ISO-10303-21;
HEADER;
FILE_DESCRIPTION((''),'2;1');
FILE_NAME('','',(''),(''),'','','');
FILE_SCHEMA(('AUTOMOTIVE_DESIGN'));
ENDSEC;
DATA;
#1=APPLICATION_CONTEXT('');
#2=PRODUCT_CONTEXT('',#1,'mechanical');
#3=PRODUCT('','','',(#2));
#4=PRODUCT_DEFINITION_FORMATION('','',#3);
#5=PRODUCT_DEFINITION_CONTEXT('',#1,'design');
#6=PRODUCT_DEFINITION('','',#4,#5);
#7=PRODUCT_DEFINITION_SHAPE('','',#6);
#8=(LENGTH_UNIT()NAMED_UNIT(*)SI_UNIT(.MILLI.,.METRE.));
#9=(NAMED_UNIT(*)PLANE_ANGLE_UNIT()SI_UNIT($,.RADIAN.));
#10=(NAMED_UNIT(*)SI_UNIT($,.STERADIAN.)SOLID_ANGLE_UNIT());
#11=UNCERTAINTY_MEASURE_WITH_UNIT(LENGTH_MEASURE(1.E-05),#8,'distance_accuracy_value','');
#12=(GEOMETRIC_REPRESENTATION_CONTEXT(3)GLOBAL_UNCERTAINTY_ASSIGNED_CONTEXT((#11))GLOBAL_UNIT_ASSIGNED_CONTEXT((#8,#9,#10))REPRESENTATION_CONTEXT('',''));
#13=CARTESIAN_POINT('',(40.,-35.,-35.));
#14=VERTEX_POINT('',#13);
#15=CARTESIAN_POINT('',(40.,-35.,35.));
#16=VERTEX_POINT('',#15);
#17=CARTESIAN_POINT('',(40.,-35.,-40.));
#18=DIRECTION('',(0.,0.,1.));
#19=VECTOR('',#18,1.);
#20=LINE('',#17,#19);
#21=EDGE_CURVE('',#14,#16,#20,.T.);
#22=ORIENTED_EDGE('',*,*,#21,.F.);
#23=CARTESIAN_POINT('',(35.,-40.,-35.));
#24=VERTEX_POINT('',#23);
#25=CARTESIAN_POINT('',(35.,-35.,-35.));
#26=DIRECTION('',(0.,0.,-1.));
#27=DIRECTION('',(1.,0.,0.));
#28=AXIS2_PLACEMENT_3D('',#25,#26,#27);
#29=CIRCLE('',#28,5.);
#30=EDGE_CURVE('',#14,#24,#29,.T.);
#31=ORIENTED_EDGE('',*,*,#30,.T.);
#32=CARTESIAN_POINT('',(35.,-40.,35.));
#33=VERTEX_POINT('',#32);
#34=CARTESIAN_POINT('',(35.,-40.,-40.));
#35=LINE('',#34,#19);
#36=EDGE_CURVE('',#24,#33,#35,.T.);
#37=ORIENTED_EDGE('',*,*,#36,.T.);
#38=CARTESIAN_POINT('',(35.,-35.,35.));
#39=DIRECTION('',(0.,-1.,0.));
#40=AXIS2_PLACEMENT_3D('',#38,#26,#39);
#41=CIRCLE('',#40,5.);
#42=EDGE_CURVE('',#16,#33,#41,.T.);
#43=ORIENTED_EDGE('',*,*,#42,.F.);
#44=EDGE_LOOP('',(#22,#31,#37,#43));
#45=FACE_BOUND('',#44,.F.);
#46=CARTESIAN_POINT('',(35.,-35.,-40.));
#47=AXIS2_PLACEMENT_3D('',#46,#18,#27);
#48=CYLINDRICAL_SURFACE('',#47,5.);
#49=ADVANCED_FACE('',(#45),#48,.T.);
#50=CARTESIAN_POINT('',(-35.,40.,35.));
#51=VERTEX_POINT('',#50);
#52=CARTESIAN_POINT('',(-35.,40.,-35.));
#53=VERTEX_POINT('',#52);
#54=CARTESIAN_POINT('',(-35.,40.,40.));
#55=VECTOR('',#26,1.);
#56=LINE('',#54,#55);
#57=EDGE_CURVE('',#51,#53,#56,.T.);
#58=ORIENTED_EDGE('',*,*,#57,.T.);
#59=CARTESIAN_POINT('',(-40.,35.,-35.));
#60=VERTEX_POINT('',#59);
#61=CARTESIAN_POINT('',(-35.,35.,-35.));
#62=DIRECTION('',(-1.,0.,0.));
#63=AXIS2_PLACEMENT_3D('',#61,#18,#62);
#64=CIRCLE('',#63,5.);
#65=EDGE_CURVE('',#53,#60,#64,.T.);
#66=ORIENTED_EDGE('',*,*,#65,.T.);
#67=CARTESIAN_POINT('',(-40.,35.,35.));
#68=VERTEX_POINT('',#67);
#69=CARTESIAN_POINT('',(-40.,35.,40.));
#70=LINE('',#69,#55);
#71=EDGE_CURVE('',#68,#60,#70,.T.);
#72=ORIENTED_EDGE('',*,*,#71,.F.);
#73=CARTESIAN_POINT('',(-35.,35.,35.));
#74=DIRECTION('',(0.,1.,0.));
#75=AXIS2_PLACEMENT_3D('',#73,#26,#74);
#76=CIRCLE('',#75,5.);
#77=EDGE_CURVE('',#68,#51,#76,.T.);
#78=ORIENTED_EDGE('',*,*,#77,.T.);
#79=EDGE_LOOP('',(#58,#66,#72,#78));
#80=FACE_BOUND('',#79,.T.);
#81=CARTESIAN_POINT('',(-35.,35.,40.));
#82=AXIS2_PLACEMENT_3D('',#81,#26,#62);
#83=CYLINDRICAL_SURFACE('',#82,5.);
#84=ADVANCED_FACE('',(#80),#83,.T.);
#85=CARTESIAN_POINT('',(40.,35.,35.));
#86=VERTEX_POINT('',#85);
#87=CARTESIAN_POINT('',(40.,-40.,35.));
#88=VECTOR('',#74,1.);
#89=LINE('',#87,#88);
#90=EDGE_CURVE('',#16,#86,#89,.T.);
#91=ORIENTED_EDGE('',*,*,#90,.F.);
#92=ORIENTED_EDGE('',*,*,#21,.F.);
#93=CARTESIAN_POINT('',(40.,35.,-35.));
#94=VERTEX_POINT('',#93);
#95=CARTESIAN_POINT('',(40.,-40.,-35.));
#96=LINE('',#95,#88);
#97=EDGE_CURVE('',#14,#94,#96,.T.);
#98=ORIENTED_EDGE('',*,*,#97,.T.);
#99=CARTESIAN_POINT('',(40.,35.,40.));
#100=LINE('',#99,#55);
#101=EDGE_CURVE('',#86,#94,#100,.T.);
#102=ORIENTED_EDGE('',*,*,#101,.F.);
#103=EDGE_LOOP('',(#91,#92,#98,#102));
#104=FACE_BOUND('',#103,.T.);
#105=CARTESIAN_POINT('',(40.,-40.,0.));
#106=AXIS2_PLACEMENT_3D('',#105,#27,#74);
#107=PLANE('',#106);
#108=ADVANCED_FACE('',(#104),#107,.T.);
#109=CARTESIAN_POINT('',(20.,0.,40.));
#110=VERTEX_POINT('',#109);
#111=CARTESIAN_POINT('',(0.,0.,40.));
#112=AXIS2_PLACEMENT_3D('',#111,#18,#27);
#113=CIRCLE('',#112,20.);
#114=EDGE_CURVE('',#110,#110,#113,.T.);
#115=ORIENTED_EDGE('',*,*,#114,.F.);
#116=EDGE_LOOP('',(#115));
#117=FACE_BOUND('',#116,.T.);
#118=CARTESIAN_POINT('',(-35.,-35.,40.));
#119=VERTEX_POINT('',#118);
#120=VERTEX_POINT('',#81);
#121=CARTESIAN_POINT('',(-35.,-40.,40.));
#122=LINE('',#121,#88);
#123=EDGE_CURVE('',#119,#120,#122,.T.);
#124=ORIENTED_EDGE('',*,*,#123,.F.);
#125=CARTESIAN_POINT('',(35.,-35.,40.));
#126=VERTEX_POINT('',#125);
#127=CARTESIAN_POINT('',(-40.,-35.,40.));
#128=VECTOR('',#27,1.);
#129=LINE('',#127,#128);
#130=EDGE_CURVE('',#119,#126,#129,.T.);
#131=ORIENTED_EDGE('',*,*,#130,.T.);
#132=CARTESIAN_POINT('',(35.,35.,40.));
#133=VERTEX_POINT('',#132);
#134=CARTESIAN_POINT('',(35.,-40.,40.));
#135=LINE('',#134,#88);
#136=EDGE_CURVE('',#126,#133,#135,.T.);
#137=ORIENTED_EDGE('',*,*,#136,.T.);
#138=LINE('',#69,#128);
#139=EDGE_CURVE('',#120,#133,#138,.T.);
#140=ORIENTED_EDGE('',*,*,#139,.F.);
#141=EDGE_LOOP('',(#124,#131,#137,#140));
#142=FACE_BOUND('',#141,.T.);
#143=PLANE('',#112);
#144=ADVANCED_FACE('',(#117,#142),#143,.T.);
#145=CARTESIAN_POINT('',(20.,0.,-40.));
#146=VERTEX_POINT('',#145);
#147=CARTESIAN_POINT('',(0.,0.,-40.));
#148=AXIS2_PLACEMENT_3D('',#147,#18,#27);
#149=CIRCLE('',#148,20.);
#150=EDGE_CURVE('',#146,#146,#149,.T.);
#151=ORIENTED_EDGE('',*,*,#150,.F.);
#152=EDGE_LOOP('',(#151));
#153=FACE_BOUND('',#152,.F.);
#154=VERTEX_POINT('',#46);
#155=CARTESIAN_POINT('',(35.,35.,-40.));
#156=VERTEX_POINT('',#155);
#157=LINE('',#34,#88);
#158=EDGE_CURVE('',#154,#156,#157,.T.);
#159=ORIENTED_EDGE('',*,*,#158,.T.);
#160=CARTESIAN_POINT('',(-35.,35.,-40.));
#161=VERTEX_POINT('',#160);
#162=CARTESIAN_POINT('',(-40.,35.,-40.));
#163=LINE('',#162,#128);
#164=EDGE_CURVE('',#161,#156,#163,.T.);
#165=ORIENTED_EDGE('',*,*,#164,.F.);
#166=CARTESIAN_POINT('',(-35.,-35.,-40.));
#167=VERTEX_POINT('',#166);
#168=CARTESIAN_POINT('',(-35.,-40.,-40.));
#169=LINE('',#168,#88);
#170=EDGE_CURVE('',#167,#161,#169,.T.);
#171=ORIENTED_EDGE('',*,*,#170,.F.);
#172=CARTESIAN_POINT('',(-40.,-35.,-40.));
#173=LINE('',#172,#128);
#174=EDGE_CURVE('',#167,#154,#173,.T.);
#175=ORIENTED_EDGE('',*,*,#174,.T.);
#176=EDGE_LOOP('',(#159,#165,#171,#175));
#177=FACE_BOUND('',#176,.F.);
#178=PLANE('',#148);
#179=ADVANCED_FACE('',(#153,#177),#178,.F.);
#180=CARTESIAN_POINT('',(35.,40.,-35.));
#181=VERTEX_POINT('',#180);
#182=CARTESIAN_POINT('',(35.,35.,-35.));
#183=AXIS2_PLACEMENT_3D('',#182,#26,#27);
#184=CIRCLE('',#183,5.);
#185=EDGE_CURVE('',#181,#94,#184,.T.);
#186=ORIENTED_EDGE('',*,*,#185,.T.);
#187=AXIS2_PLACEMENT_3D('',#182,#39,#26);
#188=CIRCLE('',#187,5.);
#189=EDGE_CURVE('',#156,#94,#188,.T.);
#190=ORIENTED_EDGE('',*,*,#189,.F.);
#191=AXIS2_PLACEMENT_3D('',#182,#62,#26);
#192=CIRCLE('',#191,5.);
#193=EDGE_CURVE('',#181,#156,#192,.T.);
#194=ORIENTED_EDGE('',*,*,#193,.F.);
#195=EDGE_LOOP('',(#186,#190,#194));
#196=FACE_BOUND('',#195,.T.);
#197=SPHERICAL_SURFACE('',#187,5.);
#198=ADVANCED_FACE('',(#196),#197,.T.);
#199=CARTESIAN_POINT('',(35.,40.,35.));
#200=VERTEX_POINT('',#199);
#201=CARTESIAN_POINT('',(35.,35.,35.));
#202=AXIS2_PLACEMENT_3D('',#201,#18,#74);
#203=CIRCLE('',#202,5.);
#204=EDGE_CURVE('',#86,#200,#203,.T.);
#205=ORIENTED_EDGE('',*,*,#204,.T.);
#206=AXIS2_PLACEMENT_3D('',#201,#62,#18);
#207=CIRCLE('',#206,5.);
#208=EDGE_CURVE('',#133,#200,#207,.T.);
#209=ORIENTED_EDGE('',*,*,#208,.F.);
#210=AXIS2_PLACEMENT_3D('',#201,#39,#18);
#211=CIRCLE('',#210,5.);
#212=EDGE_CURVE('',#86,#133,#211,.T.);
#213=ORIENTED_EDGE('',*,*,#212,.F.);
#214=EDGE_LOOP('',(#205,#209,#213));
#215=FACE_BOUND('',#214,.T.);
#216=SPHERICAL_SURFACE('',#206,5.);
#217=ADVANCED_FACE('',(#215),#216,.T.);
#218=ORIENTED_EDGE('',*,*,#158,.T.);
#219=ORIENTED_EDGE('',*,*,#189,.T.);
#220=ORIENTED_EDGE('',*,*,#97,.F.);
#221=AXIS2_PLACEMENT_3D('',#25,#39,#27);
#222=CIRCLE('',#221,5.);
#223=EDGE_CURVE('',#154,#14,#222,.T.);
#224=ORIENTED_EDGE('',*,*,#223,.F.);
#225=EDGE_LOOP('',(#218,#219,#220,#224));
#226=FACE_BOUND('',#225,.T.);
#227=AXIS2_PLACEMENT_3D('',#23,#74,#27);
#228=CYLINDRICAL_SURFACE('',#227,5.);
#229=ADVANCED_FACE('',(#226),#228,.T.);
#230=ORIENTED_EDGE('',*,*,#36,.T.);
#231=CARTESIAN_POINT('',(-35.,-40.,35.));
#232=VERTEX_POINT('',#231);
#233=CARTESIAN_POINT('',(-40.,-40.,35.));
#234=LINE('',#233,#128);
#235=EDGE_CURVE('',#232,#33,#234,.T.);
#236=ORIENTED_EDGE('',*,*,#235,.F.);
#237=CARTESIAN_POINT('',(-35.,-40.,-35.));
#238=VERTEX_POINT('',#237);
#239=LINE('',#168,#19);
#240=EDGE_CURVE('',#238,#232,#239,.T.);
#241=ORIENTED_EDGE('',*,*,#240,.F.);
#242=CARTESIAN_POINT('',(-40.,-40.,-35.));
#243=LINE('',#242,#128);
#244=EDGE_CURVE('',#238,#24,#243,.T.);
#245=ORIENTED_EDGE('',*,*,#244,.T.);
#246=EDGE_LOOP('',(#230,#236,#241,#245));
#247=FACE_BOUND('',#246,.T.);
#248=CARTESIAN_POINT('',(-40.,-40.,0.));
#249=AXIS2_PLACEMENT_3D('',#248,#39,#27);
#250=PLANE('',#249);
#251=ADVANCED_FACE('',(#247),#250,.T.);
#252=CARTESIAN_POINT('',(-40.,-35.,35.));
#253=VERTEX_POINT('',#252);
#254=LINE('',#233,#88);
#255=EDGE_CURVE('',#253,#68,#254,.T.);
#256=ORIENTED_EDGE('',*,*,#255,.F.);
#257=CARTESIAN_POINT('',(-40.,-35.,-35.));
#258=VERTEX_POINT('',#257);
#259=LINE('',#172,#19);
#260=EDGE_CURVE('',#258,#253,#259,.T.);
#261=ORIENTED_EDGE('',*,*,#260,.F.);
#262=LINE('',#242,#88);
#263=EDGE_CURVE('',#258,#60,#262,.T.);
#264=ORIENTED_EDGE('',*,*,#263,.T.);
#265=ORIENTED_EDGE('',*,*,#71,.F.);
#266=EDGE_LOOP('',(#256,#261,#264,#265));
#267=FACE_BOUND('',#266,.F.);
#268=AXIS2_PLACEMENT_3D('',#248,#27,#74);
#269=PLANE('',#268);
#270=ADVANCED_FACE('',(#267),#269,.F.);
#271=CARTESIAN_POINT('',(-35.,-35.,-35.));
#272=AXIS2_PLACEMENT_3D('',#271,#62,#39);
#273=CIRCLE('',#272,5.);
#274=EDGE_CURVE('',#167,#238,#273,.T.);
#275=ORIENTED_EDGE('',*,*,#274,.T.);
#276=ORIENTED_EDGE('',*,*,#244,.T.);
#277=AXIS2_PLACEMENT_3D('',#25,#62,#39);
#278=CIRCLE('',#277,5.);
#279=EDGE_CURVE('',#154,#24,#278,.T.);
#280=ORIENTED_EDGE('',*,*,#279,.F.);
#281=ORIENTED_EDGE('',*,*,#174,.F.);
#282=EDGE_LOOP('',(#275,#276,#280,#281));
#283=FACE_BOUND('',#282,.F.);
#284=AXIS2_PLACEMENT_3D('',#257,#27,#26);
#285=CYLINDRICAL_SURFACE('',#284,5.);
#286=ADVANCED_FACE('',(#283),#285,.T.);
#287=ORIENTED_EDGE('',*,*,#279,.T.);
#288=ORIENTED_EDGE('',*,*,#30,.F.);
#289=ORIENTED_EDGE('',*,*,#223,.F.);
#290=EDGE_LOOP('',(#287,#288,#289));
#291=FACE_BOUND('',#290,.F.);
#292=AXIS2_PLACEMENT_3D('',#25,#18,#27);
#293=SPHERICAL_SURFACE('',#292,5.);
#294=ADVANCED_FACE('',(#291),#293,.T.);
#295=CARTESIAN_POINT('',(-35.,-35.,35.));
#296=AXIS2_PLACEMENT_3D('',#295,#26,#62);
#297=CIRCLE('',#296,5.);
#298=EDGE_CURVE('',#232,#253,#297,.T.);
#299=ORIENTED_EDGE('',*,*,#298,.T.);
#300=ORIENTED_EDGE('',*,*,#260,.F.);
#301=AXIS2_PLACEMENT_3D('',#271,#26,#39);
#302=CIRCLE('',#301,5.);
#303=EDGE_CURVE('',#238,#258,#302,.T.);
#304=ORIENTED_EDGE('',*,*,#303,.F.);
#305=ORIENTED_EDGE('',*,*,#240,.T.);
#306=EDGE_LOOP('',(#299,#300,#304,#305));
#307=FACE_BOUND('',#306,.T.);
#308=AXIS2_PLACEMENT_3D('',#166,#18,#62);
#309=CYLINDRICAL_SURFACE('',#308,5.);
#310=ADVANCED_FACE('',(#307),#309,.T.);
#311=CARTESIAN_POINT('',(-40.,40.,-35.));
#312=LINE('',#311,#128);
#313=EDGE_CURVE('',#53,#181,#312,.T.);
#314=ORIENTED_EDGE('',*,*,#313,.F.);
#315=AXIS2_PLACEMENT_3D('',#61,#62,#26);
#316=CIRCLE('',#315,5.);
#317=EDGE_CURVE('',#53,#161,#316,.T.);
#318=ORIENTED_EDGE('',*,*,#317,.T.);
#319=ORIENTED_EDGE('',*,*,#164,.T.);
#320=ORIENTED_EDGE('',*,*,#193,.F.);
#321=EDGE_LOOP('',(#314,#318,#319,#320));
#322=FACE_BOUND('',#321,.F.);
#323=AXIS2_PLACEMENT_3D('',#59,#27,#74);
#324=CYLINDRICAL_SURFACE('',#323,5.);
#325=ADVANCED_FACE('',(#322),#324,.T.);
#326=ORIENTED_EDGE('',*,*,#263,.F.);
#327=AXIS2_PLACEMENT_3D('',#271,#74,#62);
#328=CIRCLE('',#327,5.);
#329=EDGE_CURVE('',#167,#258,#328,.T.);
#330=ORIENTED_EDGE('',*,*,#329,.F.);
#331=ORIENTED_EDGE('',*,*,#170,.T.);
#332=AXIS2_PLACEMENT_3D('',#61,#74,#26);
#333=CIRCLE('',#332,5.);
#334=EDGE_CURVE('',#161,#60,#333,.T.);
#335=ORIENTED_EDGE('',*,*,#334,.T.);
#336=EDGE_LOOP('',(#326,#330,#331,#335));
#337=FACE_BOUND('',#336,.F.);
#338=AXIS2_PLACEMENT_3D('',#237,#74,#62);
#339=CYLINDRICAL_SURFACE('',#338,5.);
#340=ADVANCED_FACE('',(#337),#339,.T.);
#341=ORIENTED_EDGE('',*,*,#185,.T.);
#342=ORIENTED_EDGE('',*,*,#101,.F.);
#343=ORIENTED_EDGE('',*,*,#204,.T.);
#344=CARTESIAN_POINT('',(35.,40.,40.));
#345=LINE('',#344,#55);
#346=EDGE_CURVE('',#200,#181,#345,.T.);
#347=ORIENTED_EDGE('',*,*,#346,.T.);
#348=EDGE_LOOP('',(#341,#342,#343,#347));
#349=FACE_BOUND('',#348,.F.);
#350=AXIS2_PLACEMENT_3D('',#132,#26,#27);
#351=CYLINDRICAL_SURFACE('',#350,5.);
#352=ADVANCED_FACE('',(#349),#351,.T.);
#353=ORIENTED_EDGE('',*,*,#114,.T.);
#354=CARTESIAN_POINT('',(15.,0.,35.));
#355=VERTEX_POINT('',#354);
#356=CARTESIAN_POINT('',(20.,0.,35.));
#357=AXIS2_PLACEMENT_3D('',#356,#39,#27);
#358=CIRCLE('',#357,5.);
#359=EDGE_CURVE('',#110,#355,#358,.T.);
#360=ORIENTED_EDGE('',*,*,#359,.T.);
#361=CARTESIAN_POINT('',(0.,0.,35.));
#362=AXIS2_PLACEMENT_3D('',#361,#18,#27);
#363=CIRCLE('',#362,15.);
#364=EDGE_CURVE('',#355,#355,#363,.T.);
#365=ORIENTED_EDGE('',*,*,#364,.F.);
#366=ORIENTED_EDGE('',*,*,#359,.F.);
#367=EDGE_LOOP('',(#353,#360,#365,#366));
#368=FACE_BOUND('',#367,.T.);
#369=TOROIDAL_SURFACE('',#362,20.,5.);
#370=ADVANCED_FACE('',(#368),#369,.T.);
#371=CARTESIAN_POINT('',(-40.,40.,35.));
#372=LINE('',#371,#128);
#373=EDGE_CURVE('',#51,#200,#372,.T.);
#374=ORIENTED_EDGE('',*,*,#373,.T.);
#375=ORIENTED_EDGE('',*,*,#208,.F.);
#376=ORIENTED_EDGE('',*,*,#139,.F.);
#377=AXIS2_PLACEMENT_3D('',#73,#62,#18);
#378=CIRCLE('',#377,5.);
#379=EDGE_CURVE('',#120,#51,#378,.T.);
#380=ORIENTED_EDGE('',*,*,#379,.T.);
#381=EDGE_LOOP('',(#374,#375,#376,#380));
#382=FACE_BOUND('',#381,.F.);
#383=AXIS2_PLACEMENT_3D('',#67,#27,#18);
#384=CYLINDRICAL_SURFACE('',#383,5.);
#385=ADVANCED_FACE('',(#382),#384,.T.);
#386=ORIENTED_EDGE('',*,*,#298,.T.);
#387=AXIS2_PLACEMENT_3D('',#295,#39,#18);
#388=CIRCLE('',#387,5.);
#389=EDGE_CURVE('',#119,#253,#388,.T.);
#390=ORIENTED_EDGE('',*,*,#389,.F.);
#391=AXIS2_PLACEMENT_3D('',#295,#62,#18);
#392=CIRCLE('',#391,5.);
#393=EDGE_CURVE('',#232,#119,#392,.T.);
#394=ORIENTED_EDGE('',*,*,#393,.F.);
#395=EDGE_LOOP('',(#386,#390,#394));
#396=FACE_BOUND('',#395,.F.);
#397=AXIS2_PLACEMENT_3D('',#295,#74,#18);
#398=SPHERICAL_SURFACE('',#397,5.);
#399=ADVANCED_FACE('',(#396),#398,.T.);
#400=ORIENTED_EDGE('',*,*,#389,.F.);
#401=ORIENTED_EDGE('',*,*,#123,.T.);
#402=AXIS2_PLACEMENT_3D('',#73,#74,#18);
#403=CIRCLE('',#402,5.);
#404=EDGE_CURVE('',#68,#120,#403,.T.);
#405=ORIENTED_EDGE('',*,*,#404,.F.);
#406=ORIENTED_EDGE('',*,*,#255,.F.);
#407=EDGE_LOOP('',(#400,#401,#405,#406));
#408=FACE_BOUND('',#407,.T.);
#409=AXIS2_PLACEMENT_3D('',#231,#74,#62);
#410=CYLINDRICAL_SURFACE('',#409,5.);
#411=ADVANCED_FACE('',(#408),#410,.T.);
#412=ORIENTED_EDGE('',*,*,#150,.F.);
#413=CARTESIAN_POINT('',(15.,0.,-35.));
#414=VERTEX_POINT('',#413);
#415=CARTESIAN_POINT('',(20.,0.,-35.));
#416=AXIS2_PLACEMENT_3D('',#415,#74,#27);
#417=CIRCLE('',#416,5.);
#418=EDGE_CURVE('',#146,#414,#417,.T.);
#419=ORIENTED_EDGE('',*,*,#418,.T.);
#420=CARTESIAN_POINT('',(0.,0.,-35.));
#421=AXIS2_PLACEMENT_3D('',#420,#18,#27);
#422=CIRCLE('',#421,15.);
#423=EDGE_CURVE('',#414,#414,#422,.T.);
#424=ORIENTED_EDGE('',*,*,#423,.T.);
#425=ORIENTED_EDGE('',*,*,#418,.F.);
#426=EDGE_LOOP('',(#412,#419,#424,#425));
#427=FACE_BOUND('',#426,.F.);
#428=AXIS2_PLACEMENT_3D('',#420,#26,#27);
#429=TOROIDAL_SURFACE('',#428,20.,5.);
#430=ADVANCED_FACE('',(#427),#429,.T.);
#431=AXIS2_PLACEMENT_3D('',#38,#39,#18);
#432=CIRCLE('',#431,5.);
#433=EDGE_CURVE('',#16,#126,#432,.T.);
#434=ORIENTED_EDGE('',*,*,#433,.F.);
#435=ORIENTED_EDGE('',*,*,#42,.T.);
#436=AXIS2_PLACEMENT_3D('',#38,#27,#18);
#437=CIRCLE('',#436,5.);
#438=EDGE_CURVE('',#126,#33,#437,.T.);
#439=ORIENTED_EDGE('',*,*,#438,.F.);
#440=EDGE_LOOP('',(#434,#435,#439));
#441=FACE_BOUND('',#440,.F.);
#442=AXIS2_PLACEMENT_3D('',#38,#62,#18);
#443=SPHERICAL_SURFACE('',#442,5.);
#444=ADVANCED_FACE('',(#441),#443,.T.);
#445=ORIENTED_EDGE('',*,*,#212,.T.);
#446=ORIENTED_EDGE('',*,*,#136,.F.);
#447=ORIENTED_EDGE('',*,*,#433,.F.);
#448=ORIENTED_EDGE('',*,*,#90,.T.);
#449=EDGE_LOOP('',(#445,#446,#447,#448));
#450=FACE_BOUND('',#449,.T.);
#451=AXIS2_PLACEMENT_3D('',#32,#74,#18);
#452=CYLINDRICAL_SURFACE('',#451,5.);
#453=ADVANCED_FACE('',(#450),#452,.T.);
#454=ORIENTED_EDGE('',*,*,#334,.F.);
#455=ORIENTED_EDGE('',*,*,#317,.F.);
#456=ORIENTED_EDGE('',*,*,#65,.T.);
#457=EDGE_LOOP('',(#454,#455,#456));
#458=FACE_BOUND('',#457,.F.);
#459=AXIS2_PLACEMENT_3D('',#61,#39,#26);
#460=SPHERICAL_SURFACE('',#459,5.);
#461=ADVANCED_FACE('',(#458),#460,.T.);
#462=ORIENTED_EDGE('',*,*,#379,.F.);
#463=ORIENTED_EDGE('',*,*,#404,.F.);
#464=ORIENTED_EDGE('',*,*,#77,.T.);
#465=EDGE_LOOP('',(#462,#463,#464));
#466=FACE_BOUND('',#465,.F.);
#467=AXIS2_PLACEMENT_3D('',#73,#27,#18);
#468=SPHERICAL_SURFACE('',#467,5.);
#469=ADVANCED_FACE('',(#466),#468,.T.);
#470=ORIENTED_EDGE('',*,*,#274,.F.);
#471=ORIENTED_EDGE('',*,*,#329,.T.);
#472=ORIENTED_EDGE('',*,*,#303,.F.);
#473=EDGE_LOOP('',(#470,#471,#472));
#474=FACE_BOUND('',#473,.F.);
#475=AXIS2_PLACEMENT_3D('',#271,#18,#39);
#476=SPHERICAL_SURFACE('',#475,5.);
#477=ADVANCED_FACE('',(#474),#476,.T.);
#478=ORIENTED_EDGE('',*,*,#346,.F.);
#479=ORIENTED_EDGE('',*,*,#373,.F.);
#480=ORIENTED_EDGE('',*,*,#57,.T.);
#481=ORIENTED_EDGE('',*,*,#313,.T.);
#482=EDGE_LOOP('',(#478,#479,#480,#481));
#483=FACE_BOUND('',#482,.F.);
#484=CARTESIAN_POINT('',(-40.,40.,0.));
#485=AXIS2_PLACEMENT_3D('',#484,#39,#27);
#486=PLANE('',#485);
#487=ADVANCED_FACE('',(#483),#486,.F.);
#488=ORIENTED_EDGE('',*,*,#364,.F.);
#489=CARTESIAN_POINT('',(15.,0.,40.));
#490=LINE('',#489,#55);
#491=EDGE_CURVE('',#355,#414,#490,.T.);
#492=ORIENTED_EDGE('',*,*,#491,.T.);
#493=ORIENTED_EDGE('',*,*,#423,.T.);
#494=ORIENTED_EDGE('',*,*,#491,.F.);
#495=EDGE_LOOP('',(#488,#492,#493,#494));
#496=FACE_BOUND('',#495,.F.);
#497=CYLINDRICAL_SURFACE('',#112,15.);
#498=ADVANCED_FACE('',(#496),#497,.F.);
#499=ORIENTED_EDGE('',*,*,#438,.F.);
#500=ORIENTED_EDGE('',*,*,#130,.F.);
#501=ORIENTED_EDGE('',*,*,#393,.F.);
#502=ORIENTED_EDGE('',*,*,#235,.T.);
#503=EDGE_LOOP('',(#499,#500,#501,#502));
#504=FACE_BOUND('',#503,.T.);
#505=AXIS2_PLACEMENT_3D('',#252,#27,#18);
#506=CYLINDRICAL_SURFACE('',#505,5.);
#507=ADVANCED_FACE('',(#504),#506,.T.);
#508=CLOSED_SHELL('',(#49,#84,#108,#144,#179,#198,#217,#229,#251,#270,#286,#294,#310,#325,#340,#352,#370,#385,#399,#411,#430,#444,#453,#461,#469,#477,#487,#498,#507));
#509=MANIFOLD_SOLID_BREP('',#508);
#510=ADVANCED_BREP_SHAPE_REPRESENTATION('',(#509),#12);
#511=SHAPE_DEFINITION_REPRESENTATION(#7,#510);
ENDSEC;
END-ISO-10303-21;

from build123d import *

# Parameters (mm, degrees)
F0_W     = 80
F0_H     = 80
F1_DEPTH = 40
F2_R     = 5
F3_R     = 15
F4_DEPTH = 80.001
F5_R     = 5


with BuildPart() as f1:
    # F0 (on Top) → F1 (new body, symmetric)
    with BuildSketch(Plane.XY):
        Rectangle(F0_W, F0_H)
    extrude(amount=F1_DEPTH, both=True)

    # F2
    f2_edges = [f1.edges().sort_by_distance(p)[0] for p in [
        (0, 40, 40),
        (-40, 0, 40),
        (0, -40, 40),
        (40, 0, 40),
        (-40, -40, 0),
        (40, -40, 0),
        (40, 0, -40),
        (0, -40, -40),
        (-40, 0, -40),
        (0, 40, -40),
        (-40, 40, 0),
        (40, 40, 0),
    ]]
    fillet(f2_edges, radius=F2_R)

    # F3 (on face) → F4 (cut, through all)
    with BuildSketch(Plane.XY.offset(40)):
        Circle(F3_R)
    extrude(amount=-F4_DEPTH, mode=Mode.SUBTRACT)

    # F5
    f5_edges = [f1.edges().sort_by_distance(p)[0] for p in [
        (-15, 0, 40),
        (-15, 0, -40),
    ]]
    fillet(f5_edges, radius=F5_R)


solid = f1.part
